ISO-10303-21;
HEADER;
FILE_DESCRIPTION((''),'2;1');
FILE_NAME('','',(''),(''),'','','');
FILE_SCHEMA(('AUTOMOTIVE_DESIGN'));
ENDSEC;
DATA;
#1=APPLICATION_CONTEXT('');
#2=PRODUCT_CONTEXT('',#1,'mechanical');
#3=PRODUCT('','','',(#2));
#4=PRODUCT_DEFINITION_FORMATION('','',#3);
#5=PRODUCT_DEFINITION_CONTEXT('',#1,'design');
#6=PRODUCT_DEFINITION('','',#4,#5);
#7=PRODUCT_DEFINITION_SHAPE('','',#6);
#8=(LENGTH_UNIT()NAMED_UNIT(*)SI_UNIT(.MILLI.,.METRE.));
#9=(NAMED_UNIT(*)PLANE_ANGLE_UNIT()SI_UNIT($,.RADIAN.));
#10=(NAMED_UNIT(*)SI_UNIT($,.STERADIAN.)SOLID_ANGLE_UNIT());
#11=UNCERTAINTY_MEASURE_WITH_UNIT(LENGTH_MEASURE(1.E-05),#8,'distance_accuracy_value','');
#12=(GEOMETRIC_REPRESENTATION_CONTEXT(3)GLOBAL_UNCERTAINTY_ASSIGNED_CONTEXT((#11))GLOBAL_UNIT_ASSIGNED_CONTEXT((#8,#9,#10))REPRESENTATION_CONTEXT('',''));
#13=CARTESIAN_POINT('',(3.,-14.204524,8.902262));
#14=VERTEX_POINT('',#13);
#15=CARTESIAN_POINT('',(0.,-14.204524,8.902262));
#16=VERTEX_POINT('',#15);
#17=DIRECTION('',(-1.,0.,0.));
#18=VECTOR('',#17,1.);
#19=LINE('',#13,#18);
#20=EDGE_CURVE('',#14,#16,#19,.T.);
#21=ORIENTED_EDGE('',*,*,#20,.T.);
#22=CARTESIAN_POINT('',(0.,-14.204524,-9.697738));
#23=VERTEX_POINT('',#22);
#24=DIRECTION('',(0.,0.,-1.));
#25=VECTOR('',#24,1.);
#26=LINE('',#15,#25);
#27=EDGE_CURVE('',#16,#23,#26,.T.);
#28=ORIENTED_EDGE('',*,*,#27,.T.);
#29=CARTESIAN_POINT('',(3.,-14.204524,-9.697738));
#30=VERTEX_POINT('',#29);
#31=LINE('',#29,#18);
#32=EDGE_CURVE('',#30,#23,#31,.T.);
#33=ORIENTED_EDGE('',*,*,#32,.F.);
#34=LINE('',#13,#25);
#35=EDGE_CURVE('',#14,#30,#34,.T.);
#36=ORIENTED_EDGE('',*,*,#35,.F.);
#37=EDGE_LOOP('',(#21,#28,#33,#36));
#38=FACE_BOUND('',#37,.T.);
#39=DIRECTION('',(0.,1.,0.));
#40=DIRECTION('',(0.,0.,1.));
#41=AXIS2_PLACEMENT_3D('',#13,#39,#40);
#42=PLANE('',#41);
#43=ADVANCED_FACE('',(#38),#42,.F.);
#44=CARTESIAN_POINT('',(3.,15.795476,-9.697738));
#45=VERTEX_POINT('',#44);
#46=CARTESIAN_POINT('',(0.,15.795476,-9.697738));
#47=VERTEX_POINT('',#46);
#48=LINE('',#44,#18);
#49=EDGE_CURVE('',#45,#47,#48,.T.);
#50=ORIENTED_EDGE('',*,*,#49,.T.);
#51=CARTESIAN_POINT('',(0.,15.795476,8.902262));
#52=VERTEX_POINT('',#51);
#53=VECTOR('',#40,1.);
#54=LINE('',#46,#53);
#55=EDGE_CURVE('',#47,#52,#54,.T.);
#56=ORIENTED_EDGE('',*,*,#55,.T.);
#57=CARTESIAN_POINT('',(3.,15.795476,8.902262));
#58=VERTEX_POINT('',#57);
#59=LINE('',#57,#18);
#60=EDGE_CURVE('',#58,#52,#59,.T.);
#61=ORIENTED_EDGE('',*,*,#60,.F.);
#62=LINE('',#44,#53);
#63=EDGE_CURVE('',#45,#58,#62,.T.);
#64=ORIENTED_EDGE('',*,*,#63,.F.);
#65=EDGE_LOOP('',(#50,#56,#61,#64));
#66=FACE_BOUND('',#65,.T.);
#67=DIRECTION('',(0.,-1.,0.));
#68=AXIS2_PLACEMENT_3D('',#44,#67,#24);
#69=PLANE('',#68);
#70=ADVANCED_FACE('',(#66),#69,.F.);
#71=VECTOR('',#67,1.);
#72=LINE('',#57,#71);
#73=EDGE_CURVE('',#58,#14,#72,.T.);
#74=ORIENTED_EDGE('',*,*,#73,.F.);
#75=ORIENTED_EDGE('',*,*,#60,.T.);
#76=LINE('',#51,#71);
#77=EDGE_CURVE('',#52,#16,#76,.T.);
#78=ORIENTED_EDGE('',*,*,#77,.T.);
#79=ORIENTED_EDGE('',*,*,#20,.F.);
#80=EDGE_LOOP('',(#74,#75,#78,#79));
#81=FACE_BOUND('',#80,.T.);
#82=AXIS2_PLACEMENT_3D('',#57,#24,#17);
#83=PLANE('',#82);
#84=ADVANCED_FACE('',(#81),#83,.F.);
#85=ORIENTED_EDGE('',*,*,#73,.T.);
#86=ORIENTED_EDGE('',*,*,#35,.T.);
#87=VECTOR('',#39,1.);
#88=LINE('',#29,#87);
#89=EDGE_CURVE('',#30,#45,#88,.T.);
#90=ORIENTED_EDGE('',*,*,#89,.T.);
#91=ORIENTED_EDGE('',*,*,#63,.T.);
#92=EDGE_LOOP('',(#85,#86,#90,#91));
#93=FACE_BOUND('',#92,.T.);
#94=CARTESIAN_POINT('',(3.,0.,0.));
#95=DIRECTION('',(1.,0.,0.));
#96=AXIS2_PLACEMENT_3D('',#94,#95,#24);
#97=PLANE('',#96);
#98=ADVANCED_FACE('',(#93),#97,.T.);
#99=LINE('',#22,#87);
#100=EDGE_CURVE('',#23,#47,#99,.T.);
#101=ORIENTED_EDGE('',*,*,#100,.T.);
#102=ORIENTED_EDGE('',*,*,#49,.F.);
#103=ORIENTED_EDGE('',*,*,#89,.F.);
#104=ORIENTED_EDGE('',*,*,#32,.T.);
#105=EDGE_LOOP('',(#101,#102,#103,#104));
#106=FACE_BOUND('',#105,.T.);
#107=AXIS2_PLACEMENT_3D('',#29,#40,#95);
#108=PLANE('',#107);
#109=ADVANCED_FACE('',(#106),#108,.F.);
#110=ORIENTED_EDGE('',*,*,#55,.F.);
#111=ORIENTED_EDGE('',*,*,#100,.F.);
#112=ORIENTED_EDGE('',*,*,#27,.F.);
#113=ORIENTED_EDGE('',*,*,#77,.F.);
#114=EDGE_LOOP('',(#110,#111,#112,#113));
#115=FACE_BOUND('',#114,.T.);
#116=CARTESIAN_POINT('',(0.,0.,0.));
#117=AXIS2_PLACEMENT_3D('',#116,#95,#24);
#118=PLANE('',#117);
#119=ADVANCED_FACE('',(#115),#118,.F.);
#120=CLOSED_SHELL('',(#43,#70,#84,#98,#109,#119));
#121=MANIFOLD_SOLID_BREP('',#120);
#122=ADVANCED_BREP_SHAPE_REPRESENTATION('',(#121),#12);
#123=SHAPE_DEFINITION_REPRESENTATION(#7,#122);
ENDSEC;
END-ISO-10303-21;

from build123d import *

# Parameters (mm, degrees)
CROQUIS1_W              = 18.6
CROQUIS1_H              = 30
SALIENTE_EXTRUIR1_DEPTH = 3


with BuildPart() as part:
    # Croquis1 → Saliente-Extruir1 (new body)
    with BuildSketch(Plane(origin=(0, 0, 0), x_dir=(0, 0, -1), z_dir=(1, 0, 0))):
        with Locations((0.397738086, 0.795476171)):
            Rectangle(CROQUIS1_W, CROQUIS1_H)
    extrude(amount=SALIENTE_EXTRUIR1_DEPTH)


solid = part.part
